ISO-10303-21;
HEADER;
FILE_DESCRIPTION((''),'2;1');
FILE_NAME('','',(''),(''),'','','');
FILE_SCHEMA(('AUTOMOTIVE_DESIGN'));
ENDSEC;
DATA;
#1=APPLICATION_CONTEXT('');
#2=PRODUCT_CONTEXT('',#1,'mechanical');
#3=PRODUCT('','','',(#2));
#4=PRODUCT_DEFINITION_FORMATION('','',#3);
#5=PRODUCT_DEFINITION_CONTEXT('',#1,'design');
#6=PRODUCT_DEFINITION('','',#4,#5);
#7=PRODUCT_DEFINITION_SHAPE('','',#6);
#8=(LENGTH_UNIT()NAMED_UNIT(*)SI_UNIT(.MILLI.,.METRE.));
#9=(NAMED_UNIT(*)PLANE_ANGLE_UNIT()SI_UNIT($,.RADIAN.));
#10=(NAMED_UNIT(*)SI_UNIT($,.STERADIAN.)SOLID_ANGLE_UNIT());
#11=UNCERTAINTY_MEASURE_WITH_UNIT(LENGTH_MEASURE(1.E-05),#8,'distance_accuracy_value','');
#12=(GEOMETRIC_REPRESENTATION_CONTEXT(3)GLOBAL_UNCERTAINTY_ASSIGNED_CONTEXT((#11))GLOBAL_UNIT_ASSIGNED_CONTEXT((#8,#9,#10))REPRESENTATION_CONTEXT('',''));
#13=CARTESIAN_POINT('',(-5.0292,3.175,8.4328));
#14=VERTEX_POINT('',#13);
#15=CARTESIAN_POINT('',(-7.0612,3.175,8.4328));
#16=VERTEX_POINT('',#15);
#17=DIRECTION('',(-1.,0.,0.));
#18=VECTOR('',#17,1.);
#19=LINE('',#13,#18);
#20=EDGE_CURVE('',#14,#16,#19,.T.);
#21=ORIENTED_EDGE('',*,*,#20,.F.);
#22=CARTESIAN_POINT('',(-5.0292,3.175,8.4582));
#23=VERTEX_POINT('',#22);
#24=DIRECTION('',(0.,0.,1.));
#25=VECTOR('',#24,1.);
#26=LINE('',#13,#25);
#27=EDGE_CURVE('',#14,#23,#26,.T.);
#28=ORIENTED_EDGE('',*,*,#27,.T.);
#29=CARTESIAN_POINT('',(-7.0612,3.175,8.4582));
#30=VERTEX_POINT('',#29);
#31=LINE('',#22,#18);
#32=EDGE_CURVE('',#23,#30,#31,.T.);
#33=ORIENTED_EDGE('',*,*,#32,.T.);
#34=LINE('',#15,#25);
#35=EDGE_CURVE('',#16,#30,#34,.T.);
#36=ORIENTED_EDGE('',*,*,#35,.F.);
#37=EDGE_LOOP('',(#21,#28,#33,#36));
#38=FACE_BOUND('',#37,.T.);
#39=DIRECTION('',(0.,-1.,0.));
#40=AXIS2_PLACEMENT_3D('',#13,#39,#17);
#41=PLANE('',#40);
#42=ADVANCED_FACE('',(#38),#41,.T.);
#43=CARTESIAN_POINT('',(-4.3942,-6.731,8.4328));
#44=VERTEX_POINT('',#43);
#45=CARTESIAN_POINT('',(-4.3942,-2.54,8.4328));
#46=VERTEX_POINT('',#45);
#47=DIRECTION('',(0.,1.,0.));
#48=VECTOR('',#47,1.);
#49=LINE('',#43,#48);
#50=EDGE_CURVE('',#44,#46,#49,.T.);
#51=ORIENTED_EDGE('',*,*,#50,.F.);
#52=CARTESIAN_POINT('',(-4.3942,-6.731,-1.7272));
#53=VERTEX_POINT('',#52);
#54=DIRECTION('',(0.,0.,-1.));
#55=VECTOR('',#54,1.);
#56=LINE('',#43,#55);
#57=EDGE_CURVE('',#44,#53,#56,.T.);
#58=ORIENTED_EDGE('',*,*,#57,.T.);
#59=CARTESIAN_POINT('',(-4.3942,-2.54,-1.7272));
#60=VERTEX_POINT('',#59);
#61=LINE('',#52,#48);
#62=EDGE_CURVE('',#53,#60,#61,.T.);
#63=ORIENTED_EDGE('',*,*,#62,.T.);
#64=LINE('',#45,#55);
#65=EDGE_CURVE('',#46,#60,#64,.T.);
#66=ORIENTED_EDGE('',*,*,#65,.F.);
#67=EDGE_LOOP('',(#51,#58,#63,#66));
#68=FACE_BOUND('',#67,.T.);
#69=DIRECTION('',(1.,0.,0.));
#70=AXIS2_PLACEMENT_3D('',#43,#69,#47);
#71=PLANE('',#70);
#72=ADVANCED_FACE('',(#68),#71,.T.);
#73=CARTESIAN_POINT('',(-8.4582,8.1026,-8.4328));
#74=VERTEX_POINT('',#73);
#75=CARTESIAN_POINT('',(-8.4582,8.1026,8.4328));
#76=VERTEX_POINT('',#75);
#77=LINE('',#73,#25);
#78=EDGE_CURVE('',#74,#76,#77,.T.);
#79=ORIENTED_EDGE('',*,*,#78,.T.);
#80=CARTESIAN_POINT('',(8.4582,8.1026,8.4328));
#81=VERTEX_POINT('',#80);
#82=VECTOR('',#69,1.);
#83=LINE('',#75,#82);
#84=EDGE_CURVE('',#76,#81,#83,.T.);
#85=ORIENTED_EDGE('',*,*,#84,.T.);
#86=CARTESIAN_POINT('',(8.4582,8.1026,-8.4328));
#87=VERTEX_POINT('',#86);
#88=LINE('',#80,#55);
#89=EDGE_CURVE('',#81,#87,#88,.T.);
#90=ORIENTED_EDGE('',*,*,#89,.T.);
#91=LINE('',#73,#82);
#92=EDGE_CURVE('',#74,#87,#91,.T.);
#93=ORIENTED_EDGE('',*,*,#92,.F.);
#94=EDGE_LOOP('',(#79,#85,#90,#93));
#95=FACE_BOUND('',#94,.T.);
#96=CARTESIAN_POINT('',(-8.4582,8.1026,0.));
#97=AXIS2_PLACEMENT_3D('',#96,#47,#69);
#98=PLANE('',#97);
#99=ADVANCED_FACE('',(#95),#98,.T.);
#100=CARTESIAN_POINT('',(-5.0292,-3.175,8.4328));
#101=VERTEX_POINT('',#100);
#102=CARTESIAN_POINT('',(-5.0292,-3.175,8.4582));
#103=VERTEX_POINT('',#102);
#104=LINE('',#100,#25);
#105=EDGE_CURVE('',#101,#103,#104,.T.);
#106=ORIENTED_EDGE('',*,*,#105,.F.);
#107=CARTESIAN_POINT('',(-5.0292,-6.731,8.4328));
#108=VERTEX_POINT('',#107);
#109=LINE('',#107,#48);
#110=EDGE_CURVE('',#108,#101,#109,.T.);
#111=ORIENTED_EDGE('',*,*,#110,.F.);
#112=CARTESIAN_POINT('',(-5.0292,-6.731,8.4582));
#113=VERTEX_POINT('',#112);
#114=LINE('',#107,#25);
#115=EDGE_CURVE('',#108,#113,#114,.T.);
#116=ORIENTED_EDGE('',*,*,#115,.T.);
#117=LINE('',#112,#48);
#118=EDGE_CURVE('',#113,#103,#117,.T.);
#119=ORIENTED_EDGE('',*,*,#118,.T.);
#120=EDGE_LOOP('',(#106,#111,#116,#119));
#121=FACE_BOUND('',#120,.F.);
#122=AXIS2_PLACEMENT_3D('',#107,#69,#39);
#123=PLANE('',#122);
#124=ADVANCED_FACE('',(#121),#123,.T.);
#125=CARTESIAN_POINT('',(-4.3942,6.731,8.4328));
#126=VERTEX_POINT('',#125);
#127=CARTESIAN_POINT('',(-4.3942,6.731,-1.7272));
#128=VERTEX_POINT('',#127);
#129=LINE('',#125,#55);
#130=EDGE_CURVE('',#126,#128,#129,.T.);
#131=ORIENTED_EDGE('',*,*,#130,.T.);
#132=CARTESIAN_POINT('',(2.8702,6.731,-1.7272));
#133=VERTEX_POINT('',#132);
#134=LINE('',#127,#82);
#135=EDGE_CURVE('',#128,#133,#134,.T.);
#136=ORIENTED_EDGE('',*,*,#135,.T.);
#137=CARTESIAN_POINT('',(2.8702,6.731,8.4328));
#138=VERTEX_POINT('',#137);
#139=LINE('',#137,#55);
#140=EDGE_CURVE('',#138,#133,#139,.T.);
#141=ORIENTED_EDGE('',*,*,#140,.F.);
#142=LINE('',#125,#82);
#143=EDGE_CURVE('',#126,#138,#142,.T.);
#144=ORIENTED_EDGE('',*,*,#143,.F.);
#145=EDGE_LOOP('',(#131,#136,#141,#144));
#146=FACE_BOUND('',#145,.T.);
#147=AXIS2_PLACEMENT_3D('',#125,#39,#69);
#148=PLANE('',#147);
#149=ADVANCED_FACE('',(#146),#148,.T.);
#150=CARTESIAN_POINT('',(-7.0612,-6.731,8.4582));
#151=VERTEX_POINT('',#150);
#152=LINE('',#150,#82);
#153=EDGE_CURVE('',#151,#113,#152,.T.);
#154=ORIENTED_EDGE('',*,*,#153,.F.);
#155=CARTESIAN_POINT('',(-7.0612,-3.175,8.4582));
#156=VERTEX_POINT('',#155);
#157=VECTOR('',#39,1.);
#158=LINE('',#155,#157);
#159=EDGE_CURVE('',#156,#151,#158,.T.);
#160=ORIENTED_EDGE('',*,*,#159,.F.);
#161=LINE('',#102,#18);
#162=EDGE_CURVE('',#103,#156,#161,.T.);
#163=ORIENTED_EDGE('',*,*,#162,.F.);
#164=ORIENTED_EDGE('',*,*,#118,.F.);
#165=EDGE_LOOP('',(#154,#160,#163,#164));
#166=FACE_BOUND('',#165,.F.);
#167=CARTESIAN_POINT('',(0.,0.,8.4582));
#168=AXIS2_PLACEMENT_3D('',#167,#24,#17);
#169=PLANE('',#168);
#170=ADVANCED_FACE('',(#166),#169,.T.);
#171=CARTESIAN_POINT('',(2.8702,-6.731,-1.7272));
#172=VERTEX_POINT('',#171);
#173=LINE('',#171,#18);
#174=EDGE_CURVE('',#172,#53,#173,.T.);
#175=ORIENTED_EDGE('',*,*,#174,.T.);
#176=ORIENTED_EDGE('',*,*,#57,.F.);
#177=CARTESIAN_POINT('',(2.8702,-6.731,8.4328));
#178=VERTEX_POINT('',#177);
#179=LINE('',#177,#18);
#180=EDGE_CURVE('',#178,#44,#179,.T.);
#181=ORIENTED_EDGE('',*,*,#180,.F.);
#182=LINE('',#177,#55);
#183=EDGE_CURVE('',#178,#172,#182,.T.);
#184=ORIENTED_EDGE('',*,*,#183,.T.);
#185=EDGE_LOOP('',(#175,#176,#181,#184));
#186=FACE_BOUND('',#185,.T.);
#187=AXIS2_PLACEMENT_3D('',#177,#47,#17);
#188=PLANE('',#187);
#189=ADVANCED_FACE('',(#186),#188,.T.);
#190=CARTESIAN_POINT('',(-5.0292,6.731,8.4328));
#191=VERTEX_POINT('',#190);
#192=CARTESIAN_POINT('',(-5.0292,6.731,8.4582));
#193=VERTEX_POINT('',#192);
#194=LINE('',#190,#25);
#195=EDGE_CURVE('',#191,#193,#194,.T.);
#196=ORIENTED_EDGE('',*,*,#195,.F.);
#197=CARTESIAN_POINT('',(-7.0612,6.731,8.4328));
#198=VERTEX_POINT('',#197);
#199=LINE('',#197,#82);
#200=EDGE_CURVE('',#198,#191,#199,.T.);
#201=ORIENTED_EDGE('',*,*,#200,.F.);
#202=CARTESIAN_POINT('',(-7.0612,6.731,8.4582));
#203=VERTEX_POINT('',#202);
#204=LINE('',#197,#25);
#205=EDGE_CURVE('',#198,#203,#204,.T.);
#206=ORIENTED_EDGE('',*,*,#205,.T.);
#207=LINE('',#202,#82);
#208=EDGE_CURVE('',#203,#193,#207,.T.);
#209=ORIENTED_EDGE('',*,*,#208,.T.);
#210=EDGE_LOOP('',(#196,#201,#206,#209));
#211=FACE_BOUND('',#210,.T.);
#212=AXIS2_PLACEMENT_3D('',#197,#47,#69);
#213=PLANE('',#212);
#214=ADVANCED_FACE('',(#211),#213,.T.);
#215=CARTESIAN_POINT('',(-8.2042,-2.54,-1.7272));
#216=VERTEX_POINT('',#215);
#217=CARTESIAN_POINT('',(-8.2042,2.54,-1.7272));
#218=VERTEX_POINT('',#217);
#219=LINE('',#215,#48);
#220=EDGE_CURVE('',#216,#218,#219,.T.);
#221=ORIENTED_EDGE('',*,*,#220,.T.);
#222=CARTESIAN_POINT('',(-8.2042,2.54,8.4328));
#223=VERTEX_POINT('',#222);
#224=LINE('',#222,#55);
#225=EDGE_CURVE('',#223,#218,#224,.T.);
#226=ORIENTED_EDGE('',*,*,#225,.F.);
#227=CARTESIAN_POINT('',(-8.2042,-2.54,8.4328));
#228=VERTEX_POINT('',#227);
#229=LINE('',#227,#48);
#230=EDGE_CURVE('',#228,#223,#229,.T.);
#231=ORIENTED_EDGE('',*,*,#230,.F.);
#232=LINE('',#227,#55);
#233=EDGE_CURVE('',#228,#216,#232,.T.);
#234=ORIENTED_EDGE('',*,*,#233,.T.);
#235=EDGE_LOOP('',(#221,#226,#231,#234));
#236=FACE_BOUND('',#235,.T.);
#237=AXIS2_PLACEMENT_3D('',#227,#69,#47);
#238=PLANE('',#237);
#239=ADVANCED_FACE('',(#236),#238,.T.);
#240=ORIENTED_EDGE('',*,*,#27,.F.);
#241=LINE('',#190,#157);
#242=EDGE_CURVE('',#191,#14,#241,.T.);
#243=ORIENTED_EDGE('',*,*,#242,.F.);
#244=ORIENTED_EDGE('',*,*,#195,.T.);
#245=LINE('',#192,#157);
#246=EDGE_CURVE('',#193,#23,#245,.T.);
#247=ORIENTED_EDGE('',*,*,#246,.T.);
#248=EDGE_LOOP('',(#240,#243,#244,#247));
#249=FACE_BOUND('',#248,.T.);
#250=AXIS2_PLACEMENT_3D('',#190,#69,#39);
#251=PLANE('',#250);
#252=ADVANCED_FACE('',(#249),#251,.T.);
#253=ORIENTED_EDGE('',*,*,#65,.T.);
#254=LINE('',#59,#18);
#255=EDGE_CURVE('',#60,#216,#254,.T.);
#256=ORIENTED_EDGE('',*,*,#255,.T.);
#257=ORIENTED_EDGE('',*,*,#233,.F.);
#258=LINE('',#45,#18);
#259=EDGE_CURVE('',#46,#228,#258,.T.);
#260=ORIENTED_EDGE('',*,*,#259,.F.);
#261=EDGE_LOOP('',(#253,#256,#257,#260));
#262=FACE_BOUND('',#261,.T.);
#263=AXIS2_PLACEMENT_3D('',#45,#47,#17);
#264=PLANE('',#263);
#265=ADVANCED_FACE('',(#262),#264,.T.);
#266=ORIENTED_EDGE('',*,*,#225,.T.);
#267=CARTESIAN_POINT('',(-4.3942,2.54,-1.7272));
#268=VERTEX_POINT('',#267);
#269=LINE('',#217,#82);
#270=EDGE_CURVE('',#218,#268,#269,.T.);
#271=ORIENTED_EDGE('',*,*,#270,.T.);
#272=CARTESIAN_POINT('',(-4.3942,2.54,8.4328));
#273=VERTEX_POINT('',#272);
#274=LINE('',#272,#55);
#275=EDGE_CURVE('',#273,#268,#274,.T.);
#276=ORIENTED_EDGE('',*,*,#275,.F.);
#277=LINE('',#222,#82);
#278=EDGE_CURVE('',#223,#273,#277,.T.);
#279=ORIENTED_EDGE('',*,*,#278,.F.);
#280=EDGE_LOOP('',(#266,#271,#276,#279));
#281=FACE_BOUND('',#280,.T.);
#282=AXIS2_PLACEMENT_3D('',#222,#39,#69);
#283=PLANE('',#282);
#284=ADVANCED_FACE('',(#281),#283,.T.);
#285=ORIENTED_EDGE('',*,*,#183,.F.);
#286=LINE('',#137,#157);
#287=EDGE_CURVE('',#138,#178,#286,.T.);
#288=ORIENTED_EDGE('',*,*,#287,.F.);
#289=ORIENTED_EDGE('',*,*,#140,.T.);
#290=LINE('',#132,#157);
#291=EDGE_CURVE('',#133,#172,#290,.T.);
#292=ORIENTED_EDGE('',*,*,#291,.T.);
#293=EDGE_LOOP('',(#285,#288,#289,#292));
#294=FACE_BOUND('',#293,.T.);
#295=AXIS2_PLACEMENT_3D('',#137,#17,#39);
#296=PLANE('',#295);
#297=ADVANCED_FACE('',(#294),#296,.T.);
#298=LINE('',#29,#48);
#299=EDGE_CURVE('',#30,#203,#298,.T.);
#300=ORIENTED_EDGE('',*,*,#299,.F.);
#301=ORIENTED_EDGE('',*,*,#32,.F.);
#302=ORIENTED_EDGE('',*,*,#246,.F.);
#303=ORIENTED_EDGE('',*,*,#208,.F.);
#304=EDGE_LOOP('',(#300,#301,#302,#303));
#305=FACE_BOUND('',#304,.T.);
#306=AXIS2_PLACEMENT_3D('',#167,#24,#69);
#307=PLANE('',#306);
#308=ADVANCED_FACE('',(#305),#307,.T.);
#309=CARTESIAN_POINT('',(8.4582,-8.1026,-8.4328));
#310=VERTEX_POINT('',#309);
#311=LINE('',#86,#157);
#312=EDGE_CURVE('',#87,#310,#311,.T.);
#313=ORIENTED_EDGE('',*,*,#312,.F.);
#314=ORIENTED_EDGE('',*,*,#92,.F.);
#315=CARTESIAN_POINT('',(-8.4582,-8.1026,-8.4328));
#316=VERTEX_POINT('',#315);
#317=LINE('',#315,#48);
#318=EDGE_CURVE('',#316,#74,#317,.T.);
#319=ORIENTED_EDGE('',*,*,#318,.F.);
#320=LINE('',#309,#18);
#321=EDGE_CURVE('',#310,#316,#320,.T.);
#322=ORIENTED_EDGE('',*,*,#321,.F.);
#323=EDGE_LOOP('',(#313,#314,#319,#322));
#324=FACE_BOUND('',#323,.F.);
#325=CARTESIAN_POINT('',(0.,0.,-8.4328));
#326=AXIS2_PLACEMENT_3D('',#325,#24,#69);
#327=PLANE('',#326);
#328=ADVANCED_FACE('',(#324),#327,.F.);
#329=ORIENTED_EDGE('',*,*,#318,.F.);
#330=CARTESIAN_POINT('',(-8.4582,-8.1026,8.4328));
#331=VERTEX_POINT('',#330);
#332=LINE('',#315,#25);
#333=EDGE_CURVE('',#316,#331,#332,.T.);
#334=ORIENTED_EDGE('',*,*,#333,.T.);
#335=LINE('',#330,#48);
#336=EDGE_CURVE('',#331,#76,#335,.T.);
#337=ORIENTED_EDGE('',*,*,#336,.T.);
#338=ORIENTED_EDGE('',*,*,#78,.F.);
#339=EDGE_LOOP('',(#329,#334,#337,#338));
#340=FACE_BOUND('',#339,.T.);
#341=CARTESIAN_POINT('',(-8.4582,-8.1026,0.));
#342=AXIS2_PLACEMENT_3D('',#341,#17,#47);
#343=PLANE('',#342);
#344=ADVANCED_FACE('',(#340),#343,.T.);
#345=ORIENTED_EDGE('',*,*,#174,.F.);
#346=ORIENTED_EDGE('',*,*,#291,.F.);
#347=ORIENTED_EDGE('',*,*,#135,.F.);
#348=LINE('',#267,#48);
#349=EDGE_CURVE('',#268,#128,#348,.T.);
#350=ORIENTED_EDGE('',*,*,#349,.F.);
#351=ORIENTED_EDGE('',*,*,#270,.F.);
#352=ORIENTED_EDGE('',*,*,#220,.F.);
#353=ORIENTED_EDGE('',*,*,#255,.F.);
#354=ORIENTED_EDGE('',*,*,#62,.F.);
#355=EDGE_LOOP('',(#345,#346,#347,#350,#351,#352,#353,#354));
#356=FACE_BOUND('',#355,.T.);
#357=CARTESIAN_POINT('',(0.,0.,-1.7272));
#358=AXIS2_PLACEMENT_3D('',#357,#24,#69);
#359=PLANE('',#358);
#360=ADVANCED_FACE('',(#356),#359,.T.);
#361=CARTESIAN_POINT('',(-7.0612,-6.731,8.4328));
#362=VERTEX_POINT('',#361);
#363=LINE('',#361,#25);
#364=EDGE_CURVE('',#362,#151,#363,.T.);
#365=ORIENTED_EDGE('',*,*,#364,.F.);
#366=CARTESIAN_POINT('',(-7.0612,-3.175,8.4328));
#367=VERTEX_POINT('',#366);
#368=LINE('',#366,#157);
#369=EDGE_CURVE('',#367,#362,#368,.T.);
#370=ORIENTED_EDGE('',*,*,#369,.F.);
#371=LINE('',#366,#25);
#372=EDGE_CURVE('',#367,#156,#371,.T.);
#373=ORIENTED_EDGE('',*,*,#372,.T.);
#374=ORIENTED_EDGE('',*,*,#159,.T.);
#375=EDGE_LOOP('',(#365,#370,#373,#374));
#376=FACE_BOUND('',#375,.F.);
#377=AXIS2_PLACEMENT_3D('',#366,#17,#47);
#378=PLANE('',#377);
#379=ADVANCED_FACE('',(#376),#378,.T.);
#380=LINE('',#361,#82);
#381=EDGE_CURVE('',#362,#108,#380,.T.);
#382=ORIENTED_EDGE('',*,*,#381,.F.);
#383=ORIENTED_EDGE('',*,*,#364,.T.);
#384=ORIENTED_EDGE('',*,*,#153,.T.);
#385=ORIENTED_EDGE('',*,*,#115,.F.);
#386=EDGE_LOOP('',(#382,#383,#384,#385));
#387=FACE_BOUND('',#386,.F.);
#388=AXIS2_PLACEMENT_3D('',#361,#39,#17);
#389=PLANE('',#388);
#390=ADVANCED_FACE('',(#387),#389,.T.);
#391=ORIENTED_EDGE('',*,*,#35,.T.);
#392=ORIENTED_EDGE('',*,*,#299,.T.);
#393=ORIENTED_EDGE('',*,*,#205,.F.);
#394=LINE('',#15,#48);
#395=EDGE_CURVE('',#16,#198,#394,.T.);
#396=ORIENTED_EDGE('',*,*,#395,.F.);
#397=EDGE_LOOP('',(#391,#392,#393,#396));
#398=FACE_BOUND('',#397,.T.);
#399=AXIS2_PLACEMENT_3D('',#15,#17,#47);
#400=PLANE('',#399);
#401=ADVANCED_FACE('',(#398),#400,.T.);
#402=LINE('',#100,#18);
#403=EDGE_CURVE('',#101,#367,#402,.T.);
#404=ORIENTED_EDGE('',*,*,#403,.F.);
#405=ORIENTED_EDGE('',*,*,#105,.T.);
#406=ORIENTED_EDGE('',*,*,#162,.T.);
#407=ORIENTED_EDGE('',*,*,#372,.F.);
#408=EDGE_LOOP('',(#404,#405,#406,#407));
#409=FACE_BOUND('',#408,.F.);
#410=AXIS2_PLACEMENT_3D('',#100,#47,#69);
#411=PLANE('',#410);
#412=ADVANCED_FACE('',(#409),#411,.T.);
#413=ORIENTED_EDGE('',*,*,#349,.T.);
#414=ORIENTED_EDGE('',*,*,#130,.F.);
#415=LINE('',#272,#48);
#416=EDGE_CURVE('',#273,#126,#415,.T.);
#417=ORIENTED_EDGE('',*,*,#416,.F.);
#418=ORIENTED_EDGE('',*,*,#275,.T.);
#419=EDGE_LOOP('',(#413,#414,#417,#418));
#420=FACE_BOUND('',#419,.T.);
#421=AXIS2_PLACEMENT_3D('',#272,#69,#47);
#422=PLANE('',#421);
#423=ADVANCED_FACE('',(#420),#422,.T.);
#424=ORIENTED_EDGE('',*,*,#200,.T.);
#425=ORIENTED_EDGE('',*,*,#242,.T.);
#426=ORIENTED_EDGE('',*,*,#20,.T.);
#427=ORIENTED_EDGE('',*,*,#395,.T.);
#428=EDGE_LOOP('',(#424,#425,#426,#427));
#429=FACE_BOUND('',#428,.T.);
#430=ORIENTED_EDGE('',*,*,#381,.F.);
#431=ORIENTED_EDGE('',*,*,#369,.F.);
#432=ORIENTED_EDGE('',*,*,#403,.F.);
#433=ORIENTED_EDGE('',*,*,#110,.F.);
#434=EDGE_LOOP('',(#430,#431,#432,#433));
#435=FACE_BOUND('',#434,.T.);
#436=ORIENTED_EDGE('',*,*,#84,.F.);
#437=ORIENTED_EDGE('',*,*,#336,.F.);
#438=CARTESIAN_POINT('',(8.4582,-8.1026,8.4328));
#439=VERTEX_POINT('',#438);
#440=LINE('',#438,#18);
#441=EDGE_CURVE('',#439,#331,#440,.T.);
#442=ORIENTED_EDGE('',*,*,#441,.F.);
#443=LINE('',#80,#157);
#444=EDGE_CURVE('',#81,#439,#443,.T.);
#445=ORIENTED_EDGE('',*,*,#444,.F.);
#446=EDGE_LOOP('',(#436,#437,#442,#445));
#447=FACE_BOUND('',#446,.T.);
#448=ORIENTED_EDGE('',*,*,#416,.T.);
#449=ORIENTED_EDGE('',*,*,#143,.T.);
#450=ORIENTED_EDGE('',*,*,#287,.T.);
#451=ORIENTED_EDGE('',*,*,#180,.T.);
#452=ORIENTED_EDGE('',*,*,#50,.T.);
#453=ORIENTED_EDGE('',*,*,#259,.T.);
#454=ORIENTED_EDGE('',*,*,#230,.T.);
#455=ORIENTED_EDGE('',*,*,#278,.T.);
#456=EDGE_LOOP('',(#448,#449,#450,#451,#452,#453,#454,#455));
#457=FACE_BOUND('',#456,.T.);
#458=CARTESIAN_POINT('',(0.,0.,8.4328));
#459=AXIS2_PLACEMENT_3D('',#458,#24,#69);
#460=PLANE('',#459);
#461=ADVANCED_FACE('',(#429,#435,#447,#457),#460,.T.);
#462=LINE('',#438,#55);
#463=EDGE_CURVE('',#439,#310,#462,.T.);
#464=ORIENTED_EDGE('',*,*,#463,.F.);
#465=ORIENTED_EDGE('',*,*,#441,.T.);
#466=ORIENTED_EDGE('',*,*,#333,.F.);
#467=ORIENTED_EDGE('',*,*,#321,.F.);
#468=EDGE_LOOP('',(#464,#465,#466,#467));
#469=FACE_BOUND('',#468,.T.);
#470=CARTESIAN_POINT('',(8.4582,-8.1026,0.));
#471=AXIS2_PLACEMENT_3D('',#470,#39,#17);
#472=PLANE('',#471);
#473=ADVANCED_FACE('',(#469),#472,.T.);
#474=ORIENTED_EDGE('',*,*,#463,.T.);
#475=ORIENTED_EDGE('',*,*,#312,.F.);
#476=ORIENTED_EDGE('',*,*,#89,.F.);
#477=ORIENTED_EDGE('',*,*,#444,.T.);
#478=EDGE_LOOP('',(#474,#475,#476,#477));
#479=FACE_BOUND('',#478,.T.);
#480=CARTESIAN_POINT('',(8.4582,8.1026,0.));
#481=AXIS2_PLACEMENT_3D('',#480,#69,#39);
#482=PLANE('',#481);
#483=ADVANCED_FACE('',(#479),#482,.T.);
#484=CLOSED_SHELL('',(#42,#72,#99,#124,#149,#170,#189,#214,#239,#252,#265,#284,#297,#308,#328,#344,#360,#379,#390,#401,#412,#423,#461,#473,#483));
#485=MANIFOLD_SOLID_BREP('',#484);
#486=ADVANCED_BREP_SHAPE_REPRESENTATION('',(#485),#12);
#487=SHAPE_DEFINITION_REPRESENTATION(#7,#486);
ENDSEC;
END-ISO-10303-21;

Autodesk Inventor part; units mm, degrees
ref_plane "YZ Plane" through (0, 0, 0) normal (1, 0, 0) x (0, 1, 0)
ref_plane "XZ Plane" through (0, 0, 0) normal (0, 1, 0) x (-1, 0, 0)
ref_plane "XY Plane" through (0, 0, 0) normal (0, 0, 1) x (1, 0, 0)
sketch "Sketch1" plane through (0, 0, 0) normal (0, 0, 1) x (1, 0, 0)
  line L0 (-8.4582, 8.1026) -> (8.4582, 8.1026)
  line L1 (8.4582, 8.1026) -> (8.4582, -8.1026)
  line L2 (8.4582, -8.1026) -> (-8.4582, -8.1026)
  line L3 (-8.4582, -8.1026) -> (-8.4582, 8.1026)
  line L4 (0, 0) -> (0, 8.1026) construction
  line L5 (0, 0) -> (0, -8.1026) construction
  line L6 (0, 0) -> (-8.4582, 0) construction
  line L7 (0, 0) -> (8.4582, 0) construction
  dimension "d0" = 16.9164
  dimension "d1" = 16.2052
extrude "Extrusion1" add sketch "Sketch1" along normal mid plane 16.8656
sketch "Sketch2" plane through (0, 0, 8.4328) normal (0, 0, 1) x (1, 0, 0)
  line L0 (8.4582, 8.1026) -> (8.4582, -8.1026) projected
  line L1 (-8.4582, 8.1026) -> (8.4582, 8.1026) projected
  line L2 (-8.4582, -8.1026) -> (-8.4582, 8.1026) projected
  line L3 (8.4582, -8.1026) -> (-8.4582, -8.1026) projected
  line L4 (-8.2042, -2.54) -> (-8.2042, 2.54)
  line L5 (-8.2042, 2.54) -> (-4.3942, 2.54)
  line L6 (-4.3942, 2.54) -> (-4.3942, 6.731)
  line L7 (-4.3942, 6.731) -> (2.8702, 6.731)
  line L8 (2.8702, 6.731) -> (2.8702, -6.731)
  line L9 (2.8702, -6.731) -> (-4.3942, -6.731)
  line L10 (-4.3942, -6.731) -> (-4.3942, -2.54)
  line L11 (-4.3942, -2.54) -> (-8.2042, -2.54)
  line L12 (0, 8.1026) -> (0, -8.1026) construction
  line L13 (-8.4582, 0) -> (8.4582, 0) construction
  dimension "d4" = 13.462
  dimension "d5" = 0.254
  dimension "d6" = 3.81
  dimension "d7" = 5.08
  dimension "d8" = 5.588
extrude "Extrusion2" cut sketch "Sketch2" against normal blind 10.16 contours L4 L5 L6 L7 L8 L9 L10 L11
sketch "Sketch3" plane through (0, 0, 8.4328) normal (0, 0, 1) x (1, 0, 0)
  line L0 (-8.2042, 2.54) -> (-4.3942, 2.54) projected
  line L1 (-4.3942, 2.54) -> (-4.3942, 6.731) projected
  line L2 (-4.3942, 6.731) -> (2.8702, 6.731) projected
  line L3 (-7.0612, 6.731) -> (-5.0292, 6.731)
  line L4 (-5.0292, 6.731) -> (-5.0292, 3.175)
  line L5 (-5.0292, 3.175) -> (-7.0612, 3.175)
  line L6 (-7.0612, 3.175) -> (-7.0612, 6.731)
  dimension "d11" = 0.635
  dimension "d12" = 0.635
  dimension "d13" = 2.032
extrude "Extrusion3" add sketch "Sketch3" along normal blind 0.0254
mirror "Mirror1" about plane through (0, 0, 0) normal (0, 1, 0) of "Extrusion3"
properties part number "cRIO-FRC CAT5" material "ABS Plastic"
